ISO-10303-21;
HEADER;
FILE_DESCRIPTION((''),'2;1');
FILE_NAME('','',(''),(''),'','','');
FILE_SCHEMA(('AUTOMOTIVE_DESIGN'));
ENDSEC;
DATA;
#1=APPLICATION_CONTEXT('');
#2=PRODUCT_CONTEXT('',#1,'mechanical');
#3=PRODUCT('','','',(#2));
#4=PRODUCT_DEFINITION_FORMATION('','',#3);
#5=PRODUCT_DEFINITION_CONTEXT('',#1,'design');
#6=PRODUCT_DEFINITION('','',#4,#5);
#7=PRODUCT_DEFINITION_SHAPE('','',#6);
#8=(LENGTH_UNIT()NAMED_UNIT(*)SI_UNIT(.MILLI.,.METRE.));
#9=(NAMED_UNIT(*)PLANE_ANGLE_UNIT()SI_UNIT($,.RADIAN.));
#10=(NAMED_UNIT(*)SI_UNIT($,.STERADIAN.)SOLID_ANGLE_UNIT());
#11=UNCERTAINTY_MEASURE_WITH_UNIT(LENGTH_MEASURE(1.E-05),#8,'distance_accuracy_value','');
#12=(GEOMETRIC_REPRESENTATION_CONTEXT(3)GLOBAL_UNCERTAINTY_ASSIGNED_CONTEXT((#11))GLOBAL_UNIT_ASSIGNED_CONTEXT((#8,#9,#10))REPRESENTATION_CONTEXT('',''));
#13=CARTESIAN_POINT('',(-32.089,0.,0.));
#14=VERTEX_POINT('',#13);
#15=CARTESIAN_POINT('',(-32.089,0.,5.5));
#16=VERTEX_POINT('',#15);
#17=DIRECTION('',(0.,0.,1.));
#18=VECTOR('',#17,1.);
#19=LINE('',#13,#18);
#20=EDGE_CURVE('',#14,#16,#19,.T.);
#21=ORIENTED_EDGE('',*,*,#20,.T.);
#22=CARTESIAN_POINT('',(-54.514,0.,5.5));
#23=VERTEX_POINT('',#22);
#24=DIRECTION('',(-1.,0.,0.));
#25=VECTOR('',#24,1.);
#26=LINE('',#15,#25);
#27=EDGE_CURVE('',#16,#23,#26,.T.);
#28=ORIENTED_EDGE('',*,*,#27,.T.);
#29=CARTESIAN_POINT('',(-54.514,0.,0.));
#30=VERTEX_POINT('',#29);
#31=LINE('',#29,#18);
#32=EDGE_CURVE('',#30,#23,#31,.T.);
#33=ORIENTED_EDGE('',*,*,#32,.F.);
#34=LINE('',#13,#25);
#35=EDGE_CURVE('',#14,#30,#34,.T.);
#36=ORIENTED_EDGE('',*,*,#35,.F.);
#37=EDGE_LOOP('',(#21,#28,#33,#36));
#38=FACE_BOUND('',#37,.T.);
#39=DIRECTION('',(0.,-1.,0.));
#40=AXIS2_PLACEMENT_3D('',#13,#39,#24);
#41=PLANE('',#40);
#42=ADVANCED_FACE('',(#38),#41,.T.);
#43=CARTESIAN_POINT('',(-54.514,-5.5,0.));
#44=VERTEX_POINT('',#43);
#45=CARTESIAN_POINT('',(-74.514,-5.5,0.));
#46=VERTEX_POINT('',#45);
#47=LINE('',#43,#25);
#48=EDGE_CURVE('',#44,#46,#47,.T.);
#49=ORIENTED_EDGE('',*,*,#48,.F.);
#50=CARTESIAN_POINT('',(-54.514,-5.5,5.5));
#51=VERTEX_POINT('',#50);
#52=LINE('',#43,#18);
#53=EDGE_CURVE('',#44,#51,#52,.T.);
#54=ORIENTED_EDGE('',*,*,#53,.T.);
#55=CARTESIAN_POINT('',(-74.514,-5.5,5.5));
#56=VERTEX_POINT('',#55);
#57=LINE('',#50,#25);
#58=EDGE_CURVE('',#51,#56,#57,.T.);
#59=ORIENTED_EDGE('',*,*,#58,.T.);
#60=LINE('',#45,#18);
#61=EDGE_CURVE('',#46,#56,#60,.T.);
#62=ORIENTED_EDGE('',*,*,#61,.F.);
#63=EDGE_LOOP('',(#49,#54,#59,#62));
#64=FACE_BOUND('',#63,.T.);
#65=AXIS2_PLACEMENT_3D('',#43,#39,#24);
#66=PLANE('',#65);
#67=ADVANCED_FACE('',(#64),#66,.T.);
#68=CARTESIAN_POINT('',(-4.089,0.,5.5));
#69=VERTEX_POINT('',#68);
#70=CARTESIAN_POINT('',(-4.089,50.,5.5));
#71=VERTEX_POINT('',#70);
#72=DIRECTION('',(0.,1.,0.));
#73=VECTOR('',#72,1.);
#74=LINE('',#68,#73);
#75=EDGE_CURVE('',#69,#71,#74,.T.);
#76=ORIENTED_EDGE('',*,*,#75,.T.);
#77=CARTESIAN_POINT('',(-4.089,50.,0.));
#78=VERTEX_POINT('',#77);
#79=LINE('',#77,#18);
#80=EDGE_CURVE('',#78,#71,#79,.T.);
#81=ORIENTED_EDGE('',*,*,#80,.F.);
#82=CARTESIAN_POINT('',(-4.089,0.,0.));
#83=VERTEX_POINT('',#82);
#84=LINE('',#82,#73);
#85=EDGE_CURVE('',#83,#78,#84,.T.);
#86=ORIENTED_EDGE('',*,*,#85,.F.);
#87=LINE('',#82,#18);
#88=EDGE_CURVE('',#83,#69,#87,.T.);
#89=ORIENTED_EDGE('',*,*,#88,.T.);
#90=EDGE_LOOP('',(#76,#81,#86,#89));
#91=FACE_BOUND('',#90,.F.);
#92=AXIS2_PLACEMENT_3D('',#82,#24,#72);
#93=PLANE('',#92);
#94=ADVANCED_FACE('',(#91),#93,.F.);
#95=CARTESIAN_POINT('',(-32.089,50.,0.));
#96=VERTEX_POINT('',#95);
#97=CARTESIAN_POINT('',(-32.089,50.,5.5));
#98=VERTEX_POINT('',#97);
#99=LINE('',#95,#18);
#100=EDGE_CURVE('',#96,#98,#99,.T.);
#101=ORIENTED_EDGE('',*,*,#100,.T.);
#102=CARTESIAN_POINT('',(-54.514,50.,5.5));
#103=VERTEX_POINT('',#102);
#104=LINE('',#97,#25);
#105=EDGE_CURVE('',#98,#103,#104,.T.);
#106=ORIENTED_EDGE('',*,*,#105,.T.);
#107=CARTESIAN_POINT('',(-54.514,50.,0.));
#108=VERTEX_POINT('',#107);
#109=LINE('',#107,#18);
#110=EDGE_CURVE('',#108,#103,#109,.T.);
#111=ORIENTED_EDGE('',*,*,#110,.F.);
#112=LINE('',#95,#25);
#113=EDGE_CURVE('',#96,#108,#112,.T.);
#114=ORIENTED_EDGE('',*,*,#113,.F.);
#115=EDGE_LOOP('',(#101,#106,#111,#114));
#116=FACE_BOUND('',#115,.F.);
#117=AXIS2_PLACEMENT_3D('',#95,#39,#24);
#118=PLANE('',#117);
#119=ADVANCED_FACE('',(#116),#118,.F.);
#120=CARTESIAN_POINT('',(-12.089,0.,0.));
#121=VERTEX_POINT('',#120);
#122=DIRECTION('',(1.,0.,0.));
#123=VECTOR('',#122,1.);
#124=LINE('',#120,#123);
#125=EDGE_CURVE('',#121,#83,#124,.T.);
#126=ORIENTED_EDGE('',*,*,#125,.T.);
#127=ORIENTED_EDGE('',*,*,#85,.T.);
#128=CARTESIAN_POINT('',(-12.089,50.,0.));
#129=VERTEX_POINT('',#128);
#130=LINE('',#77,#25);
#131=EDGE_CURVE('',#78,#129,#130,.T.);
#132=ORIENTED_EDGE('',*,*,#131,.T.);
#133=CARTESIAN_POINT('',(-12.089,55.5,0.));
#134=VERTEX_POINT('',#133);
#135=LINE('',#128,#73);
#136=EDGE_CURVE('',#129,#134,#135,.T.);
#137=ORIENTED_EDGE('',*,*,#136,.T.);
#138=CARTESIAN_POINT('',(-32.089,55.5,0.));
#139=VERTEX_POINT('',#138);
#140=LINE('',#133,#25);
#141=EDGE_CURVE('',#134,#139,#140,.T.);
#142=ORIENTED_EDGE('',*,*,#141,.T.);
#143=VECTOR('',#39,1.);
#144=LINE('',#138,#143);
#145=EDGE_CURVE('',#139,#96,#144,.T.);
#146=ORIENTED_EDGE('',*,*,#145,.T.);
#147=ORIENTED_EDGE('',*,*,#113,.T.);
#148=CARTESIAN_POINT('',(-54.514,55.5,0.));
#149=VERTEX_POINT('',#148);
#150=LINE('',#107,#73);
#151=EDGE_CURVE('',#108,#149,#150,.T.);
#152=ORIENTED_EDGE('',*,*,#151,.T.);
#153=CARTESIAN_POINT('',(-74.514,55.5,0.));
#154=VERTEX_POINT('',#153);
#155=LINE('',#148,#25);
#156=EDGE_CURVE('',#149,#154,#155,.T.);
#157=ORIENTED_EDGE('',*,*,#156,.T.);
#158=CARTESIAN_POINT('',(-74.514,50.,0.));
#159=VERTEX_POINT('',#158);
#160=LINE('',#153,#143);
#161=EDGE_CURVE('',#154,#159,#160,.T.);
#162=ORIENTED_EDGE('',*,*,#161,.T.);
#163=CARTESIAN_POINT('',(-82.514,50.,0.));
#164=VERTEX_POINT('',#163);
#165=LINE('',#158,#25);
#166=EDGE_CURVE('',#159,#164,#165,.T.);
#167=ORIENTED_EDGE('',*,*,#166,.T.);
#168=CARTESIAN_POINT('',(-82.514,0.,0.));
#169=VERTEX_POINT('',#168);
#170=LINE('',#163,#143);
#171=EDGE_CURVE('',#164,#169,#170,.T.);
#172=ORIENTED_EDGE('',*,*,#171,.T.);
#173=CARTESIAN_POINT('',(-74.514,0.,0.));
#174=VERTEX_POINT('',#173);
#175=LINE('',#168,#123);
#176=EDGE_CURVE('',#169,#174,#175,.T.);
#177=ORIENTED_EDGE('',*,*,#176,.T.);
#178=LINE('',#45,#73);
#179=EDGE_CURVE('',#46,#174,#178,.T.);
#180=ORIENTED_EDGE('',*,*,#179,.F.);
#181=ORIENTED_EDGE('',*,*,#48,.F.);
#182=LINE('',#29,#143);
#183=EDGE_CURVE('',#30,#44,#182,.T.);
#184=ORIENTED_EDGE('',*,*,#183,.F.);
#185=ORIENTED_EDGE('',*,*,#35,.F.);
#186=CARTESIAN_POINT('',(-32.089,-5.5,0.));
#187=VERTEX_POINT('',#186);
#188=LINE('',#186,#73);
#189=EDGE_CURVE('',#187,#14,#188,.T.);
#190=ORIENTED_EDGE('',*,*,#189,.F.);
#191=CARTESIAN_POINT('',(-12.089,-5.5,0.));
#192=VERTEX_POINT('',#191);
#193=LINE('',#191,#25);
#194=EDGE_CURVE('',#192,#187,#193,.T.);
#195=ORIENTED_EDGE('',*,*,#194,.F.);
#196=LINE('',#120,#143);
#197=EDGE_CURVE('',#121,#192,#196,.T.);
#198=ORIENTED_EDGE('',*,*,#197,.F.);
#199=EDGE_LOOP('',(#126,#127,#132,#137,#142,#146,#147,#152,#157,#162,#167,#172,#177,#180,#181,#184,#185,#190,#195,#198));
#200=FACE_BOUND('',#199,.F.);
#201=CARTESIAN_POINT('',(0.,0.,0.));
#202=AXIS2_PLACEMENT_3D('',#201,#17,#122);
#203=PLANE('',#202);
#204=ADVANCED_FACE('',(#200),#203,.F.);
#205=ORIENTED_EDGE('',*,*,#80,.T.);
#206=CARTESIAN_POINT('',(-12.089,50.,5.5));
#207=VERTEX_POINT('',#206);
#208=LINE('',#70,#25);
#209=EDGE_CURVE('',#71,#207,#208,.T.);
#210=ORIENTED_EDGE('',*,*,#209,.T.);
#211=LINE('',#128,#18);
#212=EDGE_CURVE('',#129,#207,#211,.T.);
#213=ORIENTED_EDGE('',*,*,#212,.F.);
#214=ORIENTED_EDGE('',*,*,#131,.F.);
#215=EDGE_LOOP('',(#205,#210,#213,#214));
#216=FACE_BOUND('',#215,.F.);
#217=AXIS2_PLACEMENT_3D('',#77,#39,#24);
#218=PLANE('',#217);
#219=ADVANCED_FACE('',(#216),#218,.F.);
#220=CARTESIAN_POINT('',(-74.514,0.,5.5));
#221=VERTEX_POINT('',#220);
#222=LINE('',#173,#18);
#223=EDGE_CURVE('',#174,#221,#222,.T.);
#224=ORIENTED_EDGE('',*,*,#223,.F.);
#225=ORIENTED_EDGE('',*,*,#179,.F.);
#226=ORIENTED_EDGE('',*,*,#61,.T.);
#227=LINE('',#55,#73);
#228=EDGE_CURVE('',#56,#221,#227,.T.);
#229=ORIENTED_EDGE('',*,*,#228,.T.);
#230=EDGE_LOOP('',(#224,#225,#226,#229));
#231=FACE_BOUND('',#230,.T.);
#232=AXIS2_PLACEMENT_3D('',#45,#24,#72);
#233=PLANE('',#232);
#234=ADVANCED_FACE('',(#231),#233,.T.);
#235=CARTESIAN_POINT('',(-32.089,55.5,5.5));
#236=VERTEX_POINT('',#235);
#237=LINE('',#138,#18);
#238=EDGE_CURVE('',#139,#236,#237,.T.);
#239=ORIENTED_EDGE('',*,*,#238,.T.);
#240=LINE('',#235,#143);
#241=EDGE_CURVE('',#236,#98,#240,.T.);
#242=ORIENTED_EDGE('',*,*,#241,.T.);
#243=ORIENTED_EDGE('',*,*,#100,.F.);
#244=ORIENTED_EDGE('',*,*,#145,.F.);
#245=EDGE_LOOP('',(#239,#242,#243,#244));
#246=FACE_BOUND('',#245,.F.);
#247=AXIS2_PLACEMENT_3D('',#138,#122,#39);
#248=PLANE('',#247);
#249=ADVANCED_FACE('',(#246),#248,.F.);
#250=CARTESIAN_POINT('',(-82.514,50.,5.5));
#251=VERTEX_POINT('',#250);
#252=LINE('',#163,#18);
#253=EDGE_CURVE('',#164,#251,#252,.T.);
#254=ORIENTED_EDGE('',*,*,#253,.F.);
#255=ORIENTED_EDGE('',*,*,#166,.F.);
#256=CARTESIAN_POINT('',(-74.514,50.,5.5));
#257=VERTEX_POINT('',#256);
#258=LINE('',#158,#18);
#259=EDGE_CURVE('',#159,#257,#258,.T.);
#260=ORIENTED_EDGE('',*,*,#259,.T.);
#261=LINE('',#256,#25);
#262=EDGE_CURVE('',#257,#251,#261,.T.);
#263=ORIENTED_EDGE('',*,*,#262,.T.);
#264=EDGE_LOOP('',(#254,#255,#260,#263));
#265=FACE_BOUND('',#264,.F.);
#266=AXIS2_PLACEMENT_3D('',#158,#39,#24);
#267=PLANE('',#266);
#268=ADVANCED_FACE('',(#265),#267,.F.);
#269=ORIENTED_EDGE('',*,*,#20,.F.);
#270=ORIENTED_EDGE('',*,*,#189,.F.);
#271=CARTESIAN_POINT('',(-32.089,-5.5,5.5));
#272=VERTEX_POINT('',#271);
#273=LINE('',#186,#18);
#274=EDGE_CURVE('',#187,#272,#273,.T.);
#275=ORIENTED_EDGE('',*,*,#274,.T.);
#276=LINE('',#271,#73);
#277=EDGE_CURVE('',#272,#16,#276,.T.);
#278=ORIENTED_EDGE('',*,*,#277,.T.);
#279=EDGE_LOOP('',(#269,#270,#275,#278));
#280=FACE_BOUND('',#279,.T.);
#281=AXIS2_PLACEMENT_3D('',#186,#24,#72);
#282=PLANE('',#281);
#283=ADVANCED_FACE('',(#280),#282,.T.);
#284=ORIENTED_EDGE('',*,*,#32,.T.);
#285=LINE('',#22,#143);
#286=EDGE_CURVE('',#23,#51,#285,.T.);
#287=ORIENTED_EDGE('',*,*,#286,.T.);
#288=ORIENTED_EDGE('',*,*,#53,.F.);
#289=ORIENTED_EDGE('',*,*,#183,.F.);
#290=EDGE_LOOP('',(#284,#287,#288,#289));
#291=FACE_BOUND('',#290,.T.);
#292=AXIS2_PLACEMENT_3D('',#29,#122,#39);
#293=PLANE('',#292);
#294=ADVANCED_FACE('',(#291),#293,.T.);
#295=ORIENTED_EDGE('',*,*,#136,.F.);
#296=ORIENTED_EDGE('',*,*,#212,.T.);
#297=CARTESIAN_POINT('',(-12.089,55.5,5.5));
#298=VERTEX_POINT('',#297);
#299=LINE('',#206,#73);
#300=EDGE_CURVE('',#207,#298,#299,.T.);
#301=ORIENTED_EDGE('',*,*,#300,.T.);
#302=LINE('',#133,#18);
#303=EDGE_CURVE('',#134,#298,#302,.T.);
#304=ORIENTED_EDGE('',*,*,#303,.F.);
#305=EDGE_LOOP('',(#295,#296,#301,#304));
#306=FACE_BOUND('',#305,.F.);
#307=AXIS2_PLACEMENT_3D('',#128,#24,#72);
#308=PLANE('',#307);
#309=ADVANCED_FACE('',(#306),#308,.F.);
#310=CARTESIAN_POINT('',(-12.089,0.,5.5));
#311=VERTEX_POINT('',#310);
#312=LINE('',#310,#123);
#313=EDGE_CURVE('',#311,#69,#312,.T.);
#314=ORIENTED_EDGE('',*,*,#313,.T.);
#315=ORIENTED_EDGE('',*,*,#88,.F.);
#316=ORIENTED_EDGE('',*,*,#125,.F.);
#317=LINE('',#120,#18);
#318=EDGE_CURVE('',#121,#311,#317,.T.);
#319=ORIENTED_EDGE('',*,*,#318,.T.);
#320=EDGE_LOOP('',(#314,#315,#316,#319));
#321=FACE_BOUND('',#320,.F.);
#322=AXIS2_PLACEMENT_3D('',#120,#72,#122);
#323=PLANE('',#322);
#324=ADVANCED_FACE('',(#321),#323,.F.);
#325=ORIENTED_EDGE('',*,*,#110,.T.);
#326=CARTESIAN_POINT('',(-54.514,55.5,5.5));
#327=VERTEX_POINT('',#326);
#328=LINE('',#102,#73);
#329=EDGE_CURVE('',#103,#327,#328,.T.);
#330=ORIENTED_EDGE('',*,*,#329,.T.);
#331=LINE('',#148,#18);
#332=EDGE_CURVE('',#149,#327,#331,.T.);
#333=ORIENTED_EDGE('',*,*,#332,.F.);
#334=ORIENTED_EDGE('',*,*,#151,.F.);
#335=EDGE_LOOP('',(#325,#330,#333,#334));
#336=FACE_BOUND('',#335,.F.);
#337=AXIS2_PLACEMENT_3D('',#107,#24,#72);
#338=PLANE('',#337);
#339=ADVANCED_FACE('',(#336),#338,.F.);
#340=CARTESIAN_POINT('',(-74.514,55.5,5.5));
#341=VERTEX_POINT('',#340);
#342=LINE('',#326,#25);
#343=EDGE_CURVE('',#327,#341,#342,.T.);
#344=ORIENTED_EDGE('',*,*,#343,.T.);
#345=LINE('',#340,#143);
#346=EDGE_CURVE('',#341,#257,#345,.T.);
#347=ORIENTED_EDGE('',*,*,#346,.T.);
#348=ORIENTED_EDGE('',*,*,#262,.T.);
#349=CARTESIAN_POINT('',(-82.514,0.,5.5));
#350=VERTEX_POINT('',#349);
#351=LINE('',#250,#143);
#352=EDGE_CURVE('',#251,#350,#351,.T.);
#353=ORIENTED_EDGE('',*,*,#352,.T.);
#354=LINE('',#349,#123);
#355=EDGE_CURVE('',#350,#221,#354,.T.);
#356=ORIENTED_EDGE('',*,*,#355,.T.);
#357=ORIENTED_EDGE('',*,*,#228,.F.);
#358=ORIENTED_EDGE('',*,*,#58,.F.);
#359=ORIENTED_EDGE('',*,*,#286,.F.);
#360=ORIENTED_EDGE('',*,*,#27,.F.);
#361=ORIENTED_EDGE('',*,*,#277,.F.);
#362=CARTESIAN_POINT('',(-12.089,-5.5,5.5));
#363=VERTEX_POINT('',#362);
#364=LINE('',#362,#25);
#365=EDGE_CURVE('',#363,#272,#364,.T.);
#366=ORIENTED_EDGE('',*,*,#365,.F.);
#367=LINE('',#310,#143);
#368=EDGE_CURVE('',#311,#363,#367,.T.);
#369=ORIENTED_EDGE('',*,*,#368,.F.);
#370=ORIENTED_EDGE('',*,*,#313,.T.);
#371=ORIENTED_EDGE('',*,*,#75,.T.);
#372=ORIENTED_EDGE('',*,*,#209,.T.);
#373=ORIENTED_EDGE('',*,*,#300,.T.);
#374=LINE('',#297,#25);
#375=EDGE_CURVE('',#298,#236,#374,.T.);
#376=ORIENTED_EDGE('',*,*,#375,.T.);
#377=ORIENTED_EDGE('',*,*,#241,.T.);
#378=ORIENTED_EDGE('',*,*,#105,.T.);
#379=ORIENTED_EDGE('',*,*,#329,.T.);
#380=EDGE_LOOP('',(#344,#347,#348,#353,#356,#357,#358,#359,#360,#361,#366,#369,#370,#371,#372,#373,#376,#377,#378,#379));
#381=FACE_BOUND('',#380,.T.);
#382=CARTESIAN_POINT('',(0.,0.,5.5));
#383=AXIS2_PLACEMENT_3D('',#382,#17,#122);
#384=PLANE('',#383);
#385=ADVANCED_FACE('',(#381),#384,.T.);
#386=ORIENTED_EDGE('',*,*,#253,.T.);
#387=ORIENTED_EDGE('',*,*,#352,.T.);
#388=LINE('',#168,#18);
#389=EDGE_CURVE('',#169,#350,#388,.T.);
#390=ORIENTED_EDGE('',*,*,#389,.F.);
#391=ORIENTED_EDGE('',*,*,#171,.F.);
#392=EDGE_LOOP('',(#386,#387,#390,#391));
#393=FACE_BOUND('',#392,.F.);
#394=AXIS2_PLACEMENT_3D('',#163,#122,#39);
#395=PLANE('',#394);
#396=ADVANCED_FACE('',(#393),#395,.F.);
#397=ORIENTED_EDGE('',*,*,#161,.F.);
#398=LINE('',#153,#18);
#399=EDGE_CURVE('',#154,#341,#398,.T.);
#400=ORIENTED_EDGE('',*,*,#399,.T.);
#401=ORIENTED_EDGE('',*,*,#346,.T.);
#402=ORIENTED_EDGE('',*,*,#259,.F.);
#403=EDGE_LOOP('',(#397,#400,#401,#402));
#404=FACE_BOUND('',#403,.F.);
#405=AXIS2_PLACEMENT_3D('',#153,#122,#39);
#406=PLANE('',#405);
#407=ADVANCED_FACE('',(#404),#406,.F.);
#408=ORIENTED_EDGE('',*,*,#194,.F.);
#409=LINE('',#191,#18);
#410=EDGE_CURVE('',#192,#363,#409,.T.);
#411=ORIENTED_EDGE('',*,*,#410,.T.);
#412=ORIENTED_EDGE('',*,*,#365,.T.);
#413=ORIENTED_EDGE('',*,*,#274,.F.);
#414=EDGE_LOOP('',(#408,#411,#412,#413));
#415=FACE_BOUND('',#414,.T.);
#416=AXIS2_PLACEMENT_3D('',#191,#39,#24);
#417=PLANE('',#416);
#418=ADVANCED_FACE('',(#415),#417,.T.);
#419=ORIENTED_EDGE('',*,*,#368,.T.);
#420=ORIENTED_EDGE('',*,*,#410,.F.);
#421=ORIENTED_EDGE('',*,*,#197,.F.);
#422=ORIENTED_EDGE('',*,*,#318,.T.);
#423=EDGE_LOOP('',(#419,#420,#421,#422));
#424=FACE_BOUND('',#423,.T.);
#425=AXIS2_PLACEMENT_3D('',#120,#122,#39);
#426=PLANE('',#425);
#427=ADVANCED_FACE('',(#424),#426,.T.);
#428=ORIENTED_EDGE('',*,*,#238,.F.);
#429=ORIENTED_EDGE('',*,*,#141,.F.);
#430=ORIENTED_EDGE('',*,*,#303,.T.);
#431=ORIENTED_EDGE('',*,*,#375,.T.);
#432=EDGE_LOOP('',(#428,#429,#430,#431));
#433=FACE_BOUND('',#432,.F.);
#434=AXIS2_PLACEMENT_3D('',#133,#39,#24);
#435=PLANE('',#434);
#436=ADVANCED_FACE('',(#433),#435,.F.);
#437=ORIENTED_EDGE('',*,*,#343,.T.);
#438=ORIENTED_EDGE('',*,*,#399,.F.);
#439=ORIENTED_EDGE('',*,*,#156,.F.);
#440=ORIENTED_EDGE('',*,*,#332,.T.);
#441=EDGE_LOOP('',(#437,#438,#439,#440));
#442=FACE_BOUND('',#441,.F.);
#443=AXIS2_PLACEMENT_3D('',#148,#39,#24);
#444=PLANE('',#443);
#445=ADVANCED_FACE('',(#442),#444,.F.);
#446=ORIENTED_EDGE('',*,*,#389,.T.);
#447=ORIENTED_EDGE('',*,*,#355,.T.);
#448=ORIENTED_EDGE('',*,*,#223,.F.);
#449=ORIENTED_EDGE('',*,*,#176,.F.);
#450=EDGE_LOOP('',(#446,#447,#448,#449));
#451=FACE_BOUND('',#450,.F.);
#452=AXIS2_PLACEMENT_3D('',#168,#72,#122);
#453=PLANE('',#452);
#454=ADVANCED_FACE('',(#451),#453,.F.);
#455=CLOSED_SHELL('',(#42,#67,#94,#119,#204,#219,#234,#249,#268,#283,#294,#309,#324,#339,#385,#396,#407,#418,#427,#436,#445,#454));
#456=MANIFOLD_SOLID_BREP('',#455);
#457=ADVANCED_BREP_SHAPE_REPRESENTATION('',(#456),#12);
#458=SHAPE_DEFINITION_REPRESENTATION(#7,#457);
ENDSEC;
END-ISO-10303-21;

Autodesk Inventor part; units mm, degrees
ref_plane "YZ Plane" through (0, 0, 0) normal (1, 0, 0) x (0, 1, 0)
ref_plane "XZ Plane" through (0, 0, 0) normal (0, 1, 0) x (-1, 0, 0)
ref_plane "XY Plane" through (0, 0, 0) normal (0, 0, 1) x (1, 0, 0)
sketch "Sketch1" plane through (0, 0, 0) normal (0, 0, 1) x (1, 0, 0)
  line L0 (-12.089, 0) -> (-12.089, -5.5)
  line L1 (-12.089, -5.5) -> (-32.089, -5.5)
  line L2 (-32.089, -5.5) -> (-32.089, 0)
  line L3 (-54.514, 0) -> (-54.514, -5.5)
  line L4 (-54.514, -5.5) -> (-74.514, -5.5)
  line L5 (-74.514, -5.5) -> (-74.514, 0)
  line L6 (-32.089, 0) -> (-54.514, 0)
  line L7 (-12.089, 50) -> (-12.089, 55.5)
  line L8 (-12.089, 55.5) -> (-32.089, 55.5)
  line L9 (-32.089, 55.5) -> (-32.089, 50)
  line L10 (-54.514, 50) -> (-54.514, 55.5)
  line L11 (-54.514, 55.5) -> (-74.514, 55.5)
  line L12 (-74.514, 55.5) -> (-74.514, 50)
  line L13 (-32.089, 50) -> (-54.514, 50)
  line L14 (-12.089, 0) -> (-4.089, 0)
  line L15 (-4.089, 0) -> (-4.089, 50)
  line L16 (-4.089, 50) -> (-12.089, 50)
  line L17 (-74.514, 50) -> (-82.514, 50)
  line L18 (-82.514, 50) -> (-82.514, 0)
  line L19 (-82.514, 0) -> (-74.514, 0)
  dimension "d2" = 5.5
  dimension "d3" = 20
  dimension "d4" = 5.5
  dimension "d5" = 20
  dimension "d6" = 90
  dimension "d18" = 8
  dimension "d20" = 8
extrude "Extrusion1" add sketch "Sketch1" along normal blind 5.5
properties part number "lado"
